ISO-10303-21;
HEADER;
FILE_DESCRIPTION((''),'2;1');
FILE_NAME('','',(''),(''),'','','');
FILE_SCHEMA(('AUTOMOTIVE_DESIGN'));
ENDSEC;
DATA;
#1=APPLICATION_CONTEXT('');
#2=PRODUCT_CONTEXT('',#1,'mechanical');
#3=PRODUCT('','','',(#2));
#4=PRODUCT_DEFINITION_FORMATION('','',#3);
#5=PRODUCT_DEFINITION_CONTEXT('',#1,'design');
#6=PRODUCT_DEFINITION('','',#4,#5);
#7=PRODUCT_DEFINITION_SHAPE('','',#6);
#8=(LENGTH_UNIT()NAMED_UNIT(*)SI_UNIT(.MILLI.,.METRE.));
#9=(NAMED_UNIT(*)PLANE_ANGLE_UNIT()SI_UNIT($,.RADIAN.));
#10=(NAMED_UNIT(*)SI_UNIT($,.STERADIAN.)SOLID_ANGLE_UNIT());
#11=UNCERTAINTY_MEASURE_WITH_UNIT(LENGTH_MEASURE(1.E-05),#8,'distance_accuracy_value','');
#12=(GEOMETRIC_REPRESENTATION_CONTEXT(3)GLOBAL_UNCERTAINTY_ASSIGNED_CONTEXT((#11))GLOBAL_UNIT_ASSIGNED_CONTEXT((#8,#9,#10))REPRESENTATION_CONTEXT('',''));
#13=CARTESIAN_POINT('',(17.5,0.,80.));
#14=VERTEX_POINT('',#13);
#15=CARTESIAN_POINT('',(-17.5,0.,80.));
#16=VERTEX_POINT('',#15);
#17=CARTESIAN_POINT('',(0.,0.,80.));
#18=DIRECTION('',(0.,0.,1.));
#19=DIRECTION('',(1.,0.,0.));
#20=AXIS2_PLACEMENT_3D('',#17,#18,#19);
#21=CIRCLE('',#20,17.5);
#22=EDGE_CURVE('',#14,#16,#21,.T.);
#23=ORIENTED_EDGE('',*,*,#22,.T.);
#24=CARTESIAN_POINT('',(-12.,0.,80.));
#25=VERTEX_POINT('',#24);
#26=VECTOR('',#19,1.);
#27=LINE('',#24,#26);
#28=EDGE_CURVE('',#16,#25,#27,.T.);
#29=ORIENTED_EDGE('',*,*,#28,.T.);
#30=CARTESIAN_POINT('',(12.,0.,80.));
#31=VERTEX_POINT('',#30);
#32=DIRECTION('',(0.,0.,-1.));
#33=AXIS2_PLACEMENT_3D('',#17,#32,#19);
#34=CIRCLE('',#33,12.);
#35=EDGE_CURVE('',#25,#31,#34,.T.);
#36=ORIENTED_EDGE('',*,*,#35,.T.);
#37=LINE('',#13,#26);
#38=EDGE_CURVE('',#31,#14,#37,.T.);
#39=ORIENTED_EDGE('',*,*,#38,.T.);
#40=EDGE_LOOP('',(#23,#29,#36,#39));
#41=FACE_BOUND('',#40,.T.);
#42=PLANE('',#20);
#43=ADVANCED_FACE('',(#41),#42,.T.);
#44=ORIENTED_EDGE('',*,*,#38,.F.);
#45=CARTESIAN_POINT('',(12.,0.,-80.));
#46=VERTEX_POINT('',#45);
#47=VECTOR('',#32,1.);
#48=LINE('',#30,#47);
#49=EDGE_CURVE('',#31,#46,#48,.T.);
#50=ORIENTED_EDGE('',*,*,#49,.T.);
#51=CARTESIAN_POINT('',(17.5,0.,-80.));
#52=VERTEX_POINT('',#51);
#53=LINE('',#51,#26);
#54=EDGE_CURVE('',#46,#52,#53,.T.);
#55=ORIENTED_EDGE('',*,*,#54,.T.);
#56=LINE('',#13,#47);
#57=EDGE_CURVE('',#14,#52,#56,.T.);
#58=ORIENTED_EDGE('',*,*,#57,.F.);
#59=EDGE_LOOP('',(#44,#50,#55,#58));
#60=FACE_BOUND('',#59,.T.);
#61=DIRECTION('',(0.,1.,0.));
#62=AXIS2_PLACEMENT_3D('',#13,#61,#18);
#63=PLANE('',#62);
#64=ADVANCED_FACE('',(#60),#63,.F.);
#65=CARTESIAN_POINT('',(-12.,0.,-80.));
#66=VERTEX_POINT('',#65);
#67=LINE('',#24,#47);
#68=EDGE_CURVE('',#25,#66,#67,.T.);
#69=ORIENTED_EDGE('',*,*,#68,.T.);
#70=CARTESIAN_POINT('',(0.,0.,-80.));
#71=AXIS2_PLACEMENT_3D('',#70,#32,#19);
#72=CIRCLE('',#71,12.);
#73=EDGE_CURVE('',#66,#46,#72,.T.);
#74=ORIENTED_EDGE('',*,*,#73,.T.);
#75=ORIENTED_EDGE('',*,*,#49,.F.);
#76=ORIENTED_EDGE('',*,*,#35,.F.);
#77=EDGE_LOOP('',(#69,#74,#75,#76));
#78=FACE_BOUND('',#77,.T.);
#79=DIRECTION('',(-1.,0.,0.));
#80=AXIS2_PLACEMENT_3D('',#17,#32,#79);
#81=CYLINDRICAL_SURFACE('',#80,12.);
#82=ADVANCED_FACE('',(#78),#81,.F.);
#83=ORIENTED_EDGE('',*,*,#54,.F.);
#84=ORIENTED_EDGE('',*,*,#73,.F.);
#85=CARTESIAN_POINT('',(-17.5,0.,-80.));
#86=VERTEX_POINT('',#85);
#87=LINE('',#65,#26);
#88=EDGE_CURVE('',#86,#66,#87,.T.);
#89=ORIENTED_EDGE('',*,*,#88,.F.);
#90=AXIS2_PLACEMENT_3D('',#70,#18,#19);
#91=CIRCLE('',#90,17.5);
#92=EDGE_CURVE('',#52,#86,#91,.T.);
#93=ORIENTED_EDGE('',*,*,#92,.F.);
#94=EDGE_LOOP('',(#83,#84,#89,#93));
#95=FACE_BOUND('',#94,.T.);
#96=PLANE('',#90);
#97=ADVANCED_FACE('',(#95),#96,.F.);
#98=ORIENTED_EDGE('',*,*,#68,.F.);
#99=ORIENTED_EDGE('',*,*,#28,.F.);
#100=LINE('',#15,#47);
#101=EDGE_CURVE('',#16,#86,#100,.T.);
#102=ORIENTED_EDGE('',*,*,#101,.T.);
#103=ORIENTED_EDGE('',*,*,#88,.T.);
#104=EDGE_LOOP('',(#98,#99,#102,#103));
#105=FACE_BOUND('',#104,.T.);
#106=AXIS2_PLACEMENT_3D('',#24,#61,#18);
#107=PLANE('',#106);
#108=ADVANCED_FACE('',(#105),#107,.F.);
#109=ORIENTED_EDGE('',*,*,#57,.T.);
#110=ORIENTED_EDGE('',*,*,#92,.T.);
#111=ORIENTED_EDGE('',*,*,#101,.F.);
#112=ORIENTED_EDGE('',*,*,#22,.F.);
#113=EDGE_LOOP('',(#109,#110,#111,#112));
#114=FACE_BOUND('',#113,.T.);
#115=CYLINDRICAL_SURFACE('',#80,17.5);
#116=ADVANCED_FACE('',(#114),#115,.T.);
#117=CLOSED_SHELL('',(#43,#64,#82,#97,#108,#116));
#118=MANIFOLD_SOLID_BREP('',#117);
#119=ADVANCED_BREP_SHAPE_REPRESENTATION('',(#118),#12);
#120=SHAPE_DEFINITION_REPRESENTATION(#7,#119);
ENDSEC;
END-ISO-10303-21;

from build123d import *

# Parameters (mm, degrees)
BOSS_EXTRUDE1_DEPTH = 80


with BuildPart() as part:
    # Sketch1 → Boss-Extrude1 (new, symmetric)
    with BuildSketch(Plane.XY):
        with BuildLine():
            Line((17.5, 0), (12, 0))
            ThreePointArc((12, 0), (0, 12), (-12, 0))
            Line((-12, 0), (-17.5, 0))
            ThreePointArc((-17.5, 0), (0, 17.5), (17.5, 0))
        make_face()
    extrude(amount=BOSS_EXTRUDE1_DEPTH, both=True)


solid = part.part
